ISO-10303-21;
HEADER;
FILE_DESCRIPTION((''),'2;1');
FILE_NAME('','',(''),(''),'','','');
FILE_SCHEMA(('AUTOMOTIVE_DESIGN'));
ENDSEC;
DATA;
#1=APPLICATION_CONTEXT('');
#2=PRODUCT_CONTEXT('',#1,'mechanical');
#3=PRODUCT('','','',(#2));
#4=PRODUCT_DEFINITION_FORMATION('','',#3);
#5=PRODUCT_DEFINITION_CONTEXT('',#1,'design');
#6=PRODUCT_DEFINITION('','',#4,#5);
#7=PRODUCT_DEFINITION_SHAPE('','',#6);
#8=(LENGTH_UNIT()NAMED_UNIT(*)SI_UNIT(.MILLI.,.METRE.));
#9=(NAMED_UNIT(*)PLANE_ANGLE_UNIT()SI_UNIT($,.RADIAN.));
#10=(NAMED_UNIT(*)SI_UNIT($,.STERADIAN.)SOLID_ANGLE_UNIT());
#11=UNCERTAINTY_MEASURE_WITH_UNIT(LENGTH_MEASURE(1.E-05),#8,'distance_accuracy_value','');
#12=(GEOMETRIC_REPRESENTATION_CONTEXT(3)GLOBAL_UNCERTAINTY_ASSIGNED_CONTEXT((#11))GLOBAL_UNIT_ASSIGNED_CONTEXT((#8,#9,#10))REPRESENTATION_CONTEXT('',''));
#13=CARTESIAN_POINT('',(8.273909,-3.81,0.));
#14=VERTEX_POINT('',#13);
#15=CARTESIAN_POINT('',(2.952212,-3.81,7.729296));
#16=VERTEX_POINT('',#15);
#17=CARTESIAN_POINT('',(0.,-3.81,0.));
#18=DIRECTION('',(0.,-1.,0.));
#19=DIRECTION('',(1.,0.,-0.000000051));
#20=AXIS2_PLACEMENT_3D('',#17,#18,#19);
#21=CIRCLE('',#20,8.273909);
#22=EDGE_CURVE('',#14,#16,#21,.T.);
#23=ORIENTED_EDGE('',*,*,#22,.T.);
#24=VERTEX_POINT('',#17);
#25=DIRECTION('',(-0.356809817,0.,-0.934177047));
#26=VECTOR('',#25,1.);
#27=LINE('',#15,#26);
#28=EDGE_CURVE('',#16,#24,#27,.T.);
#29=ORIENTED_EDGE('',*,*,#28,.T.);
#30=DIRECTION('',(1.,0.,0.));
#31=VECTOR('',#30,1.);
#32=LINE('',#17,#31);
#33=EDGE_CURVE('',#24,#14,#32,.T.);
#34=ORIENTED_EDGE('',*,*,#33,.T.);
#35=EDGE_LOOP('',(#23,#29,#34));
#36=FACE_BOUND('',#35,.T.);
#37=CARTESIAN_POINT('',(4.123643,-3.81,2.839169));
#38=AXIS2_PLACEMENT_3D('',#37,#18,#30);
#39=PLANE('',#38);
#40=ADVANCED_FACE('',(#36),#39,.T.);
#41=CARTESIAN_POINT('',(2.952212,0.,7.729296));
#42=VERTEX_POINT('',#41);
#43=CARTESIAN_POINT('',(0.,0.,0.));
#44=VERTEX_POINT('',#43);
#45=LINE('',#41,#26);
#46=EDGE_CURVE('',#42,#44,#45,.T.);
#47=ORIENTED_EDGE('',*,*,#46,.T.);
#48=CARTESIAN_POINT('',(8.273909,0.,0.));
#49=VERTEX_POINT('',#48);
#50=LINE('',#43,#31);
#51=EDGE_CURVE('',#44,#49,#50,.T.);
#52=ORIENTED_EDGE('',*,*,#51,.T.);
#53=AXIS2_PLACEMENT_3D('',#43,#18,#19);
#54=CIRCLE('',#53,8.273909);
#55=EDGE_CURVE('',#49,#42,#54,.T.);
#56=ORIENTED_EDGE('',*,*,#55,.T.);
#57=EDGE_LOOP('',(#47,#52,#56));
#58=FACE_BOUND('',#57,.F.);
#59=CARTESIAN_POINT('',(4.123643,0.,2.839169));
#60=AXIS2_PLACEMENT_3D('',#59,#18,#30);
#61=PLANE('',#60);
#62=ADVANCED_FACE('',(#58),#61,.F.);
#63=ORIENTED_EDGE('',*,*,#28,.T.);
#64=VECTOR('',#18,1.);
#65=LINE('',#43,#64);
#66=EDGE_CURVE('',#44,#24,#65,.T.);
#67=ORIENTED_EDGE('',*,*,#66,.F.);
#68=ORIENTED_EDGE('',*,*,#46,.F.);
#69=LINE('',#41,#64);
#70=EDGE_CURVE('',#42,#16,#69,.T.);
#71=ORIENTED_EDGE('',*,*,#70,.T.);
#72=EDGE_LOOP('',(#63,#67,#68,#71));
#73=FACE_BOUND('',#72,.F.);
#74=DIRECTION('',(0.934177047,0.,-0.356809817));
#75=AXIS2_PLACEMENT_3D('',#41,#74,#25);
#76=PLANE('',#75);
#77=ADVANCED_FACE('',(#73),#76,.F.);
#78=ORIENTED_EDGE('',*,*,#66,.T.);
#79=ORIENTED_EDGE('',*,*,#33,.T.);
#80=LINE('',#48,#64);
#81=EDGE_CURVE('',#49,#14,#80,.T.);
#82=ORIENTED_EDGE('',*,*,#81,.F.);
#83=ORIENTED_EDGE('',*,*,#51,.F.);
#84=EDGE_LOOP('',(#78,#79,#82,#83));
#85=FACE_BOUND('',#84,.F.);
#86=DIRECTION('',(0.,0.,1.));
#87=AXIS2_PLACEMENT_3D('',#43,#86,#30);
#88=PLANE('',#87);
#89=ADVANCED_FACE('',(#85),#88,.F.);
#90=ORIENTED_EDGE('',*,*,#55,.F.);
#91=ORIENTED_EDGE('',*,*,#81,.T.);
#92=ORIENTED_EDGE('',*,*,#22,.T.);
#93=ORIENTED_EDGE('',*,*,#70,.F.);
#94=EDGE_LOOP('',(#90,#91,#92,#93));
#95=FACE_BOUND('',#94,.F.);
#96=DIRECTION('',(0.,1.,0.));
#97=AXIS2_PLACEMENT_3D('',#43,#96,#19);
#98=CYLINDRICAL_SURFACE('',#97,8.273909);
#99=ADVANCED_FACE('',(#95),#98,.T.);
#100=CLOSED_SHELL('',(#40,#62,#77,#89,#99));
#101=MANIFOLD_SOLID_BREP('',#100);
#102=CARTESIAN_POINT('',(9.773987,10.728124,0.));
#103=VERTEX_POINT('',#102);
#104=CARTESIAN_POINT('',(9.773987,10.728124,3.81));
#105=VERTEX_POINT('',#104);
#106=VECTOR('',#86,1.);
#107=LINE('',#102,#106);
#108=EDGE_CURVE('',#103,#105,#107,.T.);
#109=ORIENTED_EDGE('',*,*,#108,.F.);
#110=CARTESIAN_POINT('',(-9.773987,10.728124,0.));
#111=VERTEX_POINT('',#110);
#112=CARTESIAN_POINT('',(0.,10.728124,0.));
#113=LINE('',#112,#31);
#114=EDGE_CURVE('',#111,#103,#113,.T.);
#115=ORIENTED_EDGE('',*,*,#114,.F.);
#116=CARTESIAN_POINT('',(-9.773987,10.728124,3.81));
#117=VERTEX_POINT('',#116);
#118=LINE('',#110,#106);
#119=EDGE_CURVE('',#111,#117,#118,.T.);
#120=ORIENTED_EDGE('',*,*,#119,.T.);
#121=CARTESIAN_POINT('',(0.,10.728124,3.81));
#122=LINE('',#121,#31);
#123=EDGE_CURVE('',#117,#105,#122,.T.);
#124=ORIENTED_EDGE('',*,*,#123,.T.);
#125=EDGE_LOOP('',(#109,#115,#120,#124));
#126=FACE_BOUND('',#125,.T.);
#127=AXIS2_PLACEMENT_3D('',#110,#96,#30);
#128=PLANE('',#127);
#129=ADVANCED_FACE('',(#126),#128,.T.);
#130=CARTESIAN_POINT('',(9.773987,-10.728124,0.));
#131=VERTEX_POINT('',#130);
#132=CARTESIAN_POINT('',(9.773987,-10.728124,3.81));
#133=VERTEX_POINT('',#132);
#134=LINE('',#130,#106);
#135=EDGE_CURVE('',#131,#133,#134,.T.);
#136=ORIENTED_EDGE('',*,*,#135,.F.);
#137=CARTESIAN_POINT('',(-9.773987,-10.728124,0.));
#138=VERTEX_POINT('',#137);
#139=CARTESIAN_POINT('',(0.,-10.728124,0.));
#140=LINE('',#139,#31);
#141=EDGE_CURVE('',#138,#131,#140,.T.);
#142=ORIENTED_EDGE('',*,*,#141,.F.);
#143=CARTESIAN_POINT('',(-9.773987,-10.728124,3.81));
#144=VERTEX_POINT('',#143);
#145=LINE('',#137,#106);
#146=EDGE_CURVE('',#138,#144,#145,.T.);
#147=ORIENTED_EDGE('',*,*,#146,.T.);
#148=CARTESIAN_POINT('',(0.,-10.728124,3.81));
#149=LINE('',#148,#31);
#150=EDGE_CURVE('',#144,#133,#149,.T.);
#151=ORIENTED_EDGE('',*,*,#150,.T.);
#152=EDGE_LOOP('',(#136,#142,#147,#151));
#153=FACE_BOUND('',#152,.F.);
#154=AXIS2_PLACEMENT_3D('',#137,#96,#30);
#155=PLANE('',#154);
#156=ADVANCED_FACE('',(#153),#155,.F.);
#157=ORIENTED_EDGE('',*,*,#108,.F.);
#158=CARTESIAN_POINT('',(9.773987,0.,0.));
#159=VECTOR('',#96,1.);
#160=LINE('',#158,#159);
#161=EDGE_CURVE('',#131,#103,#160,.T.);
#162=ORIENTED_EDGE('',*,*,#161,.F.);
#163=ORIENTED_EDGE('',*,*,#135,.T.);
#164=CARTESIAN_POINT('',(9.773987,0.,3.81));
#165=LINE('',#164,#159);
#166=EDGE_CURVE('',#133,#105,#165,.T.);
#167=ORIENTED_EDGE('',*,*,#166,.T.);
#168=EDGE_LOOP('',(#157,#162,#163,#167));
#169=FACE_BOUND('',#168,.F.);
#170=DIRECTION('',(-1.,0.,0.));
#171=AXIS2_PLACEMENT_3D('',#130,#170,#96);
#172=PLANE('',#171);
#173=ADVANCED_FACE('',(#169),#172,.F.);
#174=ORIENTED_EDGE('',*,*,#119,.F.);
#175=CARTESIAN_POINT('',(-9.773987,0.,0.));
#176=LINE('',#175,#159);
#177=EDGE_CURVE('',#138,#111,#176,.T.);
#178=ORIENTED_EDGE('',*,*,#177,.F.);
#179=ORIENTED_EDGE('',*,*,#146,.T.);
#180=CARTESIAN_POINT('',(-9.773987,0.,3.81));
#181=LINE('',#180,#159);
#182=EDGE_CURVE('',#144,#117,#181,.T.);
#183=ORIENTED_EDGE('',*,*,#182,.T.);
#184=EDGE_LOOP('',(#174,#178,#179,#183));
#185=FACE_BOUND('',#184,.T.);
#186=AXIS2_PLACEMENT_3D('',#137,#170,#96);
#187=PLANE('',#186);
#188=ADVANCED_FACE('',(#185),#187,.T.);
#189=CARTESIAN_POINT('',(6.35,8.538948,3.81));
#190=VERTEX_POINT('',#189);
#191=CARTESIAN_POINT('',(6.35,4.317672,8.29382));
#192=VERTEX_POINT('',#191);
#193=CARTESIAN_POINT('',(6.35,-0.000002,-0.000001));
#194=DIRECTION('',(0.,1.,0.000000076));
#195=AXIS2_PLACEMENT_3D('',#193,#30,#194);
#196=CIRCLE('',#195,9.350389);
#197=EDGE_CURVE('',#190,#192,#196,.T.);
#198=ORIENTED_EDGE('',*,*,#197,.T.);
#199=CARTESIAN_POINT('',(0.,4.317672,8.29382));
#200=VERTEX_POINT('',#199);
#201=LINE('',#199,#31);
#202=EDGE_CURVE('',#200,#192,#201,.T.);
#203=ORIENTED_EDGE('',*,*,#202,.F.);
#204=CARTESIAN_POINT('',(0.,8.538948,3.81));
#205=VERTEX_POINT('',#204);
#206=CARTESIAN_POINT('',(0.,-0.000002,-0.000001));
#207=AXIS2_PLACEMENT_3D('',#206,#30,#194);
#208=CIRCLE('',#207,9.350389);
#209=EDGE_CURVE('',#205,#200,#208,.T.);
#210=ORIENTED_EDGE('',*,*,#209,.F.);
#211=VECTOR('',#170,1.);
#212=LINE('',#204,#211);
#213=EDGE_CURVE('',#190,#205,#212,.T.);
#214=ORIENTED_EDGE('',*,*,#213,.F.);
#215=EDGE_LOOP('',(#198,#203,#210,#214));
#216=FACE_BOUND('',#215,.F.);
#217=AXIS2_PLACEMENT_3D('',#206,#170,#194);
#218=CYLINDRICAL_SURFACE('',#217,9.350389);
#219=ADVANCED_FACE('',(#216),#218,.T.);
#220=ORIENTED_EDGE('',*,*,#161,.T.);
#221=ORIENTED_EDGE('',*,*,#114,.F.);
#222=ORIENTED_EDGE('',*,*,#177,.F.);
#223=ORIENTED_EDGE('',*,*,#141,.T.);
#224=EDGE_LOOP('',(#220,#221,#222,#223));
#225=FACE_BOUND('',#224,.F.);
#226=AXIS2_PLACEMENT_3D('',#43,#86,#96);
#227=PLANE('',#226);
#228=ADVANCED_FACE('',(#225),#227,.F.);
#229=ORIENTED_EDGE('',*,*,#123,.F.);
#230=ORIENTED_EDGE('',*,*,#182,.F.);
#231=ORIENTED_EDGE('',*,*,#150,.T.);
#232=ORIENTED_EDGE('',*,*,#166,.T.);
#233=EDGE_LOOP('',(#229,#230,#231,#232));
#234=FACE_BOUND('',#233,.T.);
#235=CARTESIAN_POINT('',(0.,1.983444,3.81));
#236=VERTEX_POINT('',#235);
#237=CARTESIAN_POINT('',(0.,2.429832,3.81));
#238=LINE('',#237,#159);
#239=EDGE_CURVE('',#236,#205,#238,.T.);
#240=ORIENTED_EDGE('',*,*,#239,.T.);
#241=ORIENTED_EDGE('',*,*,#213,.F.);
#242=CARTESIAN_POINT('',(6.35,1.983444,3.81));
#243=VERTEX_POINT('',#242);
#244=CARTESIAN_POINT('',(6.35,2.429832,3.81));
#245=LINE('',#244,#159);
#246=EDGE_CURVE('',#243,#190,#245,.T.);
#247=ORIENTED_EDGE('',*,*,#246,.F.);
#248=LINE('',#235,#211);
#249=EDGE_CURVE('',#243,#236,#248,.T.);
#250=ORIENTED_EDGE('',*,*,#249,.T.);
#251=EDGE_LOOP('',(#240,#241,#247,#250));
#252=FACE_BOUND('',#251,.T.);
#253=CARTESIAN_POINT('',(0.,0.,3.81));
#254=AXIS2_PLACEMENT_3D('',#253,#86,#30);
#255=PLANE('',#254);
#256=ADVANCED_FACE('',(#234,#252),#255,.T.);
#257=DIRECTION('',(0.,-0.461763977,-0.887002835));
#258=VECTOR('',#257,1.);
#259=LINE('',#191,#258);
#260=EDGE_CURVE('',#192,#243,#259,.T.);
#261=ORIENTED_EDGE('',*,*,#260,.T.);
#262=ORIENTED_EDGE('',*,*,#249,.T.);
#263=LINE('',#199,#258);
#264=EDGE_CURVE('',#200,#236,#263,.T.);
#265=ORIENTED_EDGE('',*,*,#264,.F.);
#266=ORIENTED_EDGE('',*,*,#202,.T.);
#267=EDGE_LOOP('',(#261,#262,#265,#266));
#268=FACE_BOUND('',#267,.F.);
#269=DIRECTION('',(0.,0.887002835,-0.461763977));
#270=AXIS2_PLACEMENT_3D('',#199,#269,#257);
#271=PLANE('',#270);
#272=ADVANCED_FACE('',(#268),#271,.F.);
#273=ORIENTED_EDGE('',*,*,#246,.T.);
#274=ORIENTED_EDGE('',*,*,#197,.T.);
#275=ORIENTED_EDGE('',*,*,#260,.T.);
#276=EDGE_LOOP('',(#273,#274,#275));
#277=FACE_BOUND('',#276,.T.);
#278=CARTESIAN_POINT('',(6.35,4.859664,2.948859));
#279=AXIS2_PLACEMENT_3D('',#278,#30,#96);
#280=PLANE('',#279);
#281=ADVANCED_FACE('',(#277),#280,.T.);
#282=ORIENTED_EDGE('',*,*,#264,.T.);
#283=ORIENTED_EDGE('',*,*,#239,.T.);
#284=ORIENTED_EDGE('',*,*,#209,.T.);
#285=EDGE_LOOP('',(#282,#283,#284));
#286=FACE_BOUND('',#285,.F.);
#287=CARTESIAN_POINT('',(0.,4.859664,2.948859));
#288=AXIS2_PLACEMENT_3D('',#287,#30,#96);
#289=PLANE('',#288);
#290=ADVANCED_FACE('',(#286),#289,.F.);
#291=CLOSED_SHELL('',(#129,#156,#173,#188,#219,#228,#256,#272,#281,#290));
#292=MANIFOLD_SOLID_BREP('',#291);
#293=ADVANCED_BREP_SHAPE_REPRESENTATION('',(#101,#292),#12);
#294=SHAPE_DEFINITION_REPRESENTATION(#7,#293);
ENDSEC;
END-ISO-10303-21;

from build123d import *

# Parameters (mm, degrees)
F0_W     = 19.547974
F0_H     = 21.456248
F1_DEPTH = 3.81
F3_DEPTH = 6.35
F5_DEPTH = 3.81


with BuildPart() as f1:
    # F0 (on Top) → F1 (new body)
    with BuildSketch(Plane.XY):
        Rectangle(F0_W, F0_H)
    extrude(amount=F1_DEPTH)

    # F2 (on Right) → F3 (join)
    with BuildSketch(Plane.YZ):
        with BuildLine():
            ThreePointArc((9.350387, 0), (7.993799, 4.850661), (4.317672, 8.29382))
            Line((4.317672, 8.29382), (0, 0))
            Line((0, 0), (9.350387, 0))
        make_face()
    extrude(amount=F3_DEPTH)


with BuildPart() as f5:
    # F4 (on Front) → F5 (new body)
    with BuildSketch(Plane.XZ):
        with BuildLine():
            ThreePointArc((8.273909, 0), (6.814833, 4.692081), (2.952212, 7.729296))
            Line((2.952212, 7.729296), (0, 0))
            Line((0, 0), (8.273909, 0))
        make_face()
    extrude(amount=F5_DEPTH)


solid = Compound([f1.part, f5.part])
